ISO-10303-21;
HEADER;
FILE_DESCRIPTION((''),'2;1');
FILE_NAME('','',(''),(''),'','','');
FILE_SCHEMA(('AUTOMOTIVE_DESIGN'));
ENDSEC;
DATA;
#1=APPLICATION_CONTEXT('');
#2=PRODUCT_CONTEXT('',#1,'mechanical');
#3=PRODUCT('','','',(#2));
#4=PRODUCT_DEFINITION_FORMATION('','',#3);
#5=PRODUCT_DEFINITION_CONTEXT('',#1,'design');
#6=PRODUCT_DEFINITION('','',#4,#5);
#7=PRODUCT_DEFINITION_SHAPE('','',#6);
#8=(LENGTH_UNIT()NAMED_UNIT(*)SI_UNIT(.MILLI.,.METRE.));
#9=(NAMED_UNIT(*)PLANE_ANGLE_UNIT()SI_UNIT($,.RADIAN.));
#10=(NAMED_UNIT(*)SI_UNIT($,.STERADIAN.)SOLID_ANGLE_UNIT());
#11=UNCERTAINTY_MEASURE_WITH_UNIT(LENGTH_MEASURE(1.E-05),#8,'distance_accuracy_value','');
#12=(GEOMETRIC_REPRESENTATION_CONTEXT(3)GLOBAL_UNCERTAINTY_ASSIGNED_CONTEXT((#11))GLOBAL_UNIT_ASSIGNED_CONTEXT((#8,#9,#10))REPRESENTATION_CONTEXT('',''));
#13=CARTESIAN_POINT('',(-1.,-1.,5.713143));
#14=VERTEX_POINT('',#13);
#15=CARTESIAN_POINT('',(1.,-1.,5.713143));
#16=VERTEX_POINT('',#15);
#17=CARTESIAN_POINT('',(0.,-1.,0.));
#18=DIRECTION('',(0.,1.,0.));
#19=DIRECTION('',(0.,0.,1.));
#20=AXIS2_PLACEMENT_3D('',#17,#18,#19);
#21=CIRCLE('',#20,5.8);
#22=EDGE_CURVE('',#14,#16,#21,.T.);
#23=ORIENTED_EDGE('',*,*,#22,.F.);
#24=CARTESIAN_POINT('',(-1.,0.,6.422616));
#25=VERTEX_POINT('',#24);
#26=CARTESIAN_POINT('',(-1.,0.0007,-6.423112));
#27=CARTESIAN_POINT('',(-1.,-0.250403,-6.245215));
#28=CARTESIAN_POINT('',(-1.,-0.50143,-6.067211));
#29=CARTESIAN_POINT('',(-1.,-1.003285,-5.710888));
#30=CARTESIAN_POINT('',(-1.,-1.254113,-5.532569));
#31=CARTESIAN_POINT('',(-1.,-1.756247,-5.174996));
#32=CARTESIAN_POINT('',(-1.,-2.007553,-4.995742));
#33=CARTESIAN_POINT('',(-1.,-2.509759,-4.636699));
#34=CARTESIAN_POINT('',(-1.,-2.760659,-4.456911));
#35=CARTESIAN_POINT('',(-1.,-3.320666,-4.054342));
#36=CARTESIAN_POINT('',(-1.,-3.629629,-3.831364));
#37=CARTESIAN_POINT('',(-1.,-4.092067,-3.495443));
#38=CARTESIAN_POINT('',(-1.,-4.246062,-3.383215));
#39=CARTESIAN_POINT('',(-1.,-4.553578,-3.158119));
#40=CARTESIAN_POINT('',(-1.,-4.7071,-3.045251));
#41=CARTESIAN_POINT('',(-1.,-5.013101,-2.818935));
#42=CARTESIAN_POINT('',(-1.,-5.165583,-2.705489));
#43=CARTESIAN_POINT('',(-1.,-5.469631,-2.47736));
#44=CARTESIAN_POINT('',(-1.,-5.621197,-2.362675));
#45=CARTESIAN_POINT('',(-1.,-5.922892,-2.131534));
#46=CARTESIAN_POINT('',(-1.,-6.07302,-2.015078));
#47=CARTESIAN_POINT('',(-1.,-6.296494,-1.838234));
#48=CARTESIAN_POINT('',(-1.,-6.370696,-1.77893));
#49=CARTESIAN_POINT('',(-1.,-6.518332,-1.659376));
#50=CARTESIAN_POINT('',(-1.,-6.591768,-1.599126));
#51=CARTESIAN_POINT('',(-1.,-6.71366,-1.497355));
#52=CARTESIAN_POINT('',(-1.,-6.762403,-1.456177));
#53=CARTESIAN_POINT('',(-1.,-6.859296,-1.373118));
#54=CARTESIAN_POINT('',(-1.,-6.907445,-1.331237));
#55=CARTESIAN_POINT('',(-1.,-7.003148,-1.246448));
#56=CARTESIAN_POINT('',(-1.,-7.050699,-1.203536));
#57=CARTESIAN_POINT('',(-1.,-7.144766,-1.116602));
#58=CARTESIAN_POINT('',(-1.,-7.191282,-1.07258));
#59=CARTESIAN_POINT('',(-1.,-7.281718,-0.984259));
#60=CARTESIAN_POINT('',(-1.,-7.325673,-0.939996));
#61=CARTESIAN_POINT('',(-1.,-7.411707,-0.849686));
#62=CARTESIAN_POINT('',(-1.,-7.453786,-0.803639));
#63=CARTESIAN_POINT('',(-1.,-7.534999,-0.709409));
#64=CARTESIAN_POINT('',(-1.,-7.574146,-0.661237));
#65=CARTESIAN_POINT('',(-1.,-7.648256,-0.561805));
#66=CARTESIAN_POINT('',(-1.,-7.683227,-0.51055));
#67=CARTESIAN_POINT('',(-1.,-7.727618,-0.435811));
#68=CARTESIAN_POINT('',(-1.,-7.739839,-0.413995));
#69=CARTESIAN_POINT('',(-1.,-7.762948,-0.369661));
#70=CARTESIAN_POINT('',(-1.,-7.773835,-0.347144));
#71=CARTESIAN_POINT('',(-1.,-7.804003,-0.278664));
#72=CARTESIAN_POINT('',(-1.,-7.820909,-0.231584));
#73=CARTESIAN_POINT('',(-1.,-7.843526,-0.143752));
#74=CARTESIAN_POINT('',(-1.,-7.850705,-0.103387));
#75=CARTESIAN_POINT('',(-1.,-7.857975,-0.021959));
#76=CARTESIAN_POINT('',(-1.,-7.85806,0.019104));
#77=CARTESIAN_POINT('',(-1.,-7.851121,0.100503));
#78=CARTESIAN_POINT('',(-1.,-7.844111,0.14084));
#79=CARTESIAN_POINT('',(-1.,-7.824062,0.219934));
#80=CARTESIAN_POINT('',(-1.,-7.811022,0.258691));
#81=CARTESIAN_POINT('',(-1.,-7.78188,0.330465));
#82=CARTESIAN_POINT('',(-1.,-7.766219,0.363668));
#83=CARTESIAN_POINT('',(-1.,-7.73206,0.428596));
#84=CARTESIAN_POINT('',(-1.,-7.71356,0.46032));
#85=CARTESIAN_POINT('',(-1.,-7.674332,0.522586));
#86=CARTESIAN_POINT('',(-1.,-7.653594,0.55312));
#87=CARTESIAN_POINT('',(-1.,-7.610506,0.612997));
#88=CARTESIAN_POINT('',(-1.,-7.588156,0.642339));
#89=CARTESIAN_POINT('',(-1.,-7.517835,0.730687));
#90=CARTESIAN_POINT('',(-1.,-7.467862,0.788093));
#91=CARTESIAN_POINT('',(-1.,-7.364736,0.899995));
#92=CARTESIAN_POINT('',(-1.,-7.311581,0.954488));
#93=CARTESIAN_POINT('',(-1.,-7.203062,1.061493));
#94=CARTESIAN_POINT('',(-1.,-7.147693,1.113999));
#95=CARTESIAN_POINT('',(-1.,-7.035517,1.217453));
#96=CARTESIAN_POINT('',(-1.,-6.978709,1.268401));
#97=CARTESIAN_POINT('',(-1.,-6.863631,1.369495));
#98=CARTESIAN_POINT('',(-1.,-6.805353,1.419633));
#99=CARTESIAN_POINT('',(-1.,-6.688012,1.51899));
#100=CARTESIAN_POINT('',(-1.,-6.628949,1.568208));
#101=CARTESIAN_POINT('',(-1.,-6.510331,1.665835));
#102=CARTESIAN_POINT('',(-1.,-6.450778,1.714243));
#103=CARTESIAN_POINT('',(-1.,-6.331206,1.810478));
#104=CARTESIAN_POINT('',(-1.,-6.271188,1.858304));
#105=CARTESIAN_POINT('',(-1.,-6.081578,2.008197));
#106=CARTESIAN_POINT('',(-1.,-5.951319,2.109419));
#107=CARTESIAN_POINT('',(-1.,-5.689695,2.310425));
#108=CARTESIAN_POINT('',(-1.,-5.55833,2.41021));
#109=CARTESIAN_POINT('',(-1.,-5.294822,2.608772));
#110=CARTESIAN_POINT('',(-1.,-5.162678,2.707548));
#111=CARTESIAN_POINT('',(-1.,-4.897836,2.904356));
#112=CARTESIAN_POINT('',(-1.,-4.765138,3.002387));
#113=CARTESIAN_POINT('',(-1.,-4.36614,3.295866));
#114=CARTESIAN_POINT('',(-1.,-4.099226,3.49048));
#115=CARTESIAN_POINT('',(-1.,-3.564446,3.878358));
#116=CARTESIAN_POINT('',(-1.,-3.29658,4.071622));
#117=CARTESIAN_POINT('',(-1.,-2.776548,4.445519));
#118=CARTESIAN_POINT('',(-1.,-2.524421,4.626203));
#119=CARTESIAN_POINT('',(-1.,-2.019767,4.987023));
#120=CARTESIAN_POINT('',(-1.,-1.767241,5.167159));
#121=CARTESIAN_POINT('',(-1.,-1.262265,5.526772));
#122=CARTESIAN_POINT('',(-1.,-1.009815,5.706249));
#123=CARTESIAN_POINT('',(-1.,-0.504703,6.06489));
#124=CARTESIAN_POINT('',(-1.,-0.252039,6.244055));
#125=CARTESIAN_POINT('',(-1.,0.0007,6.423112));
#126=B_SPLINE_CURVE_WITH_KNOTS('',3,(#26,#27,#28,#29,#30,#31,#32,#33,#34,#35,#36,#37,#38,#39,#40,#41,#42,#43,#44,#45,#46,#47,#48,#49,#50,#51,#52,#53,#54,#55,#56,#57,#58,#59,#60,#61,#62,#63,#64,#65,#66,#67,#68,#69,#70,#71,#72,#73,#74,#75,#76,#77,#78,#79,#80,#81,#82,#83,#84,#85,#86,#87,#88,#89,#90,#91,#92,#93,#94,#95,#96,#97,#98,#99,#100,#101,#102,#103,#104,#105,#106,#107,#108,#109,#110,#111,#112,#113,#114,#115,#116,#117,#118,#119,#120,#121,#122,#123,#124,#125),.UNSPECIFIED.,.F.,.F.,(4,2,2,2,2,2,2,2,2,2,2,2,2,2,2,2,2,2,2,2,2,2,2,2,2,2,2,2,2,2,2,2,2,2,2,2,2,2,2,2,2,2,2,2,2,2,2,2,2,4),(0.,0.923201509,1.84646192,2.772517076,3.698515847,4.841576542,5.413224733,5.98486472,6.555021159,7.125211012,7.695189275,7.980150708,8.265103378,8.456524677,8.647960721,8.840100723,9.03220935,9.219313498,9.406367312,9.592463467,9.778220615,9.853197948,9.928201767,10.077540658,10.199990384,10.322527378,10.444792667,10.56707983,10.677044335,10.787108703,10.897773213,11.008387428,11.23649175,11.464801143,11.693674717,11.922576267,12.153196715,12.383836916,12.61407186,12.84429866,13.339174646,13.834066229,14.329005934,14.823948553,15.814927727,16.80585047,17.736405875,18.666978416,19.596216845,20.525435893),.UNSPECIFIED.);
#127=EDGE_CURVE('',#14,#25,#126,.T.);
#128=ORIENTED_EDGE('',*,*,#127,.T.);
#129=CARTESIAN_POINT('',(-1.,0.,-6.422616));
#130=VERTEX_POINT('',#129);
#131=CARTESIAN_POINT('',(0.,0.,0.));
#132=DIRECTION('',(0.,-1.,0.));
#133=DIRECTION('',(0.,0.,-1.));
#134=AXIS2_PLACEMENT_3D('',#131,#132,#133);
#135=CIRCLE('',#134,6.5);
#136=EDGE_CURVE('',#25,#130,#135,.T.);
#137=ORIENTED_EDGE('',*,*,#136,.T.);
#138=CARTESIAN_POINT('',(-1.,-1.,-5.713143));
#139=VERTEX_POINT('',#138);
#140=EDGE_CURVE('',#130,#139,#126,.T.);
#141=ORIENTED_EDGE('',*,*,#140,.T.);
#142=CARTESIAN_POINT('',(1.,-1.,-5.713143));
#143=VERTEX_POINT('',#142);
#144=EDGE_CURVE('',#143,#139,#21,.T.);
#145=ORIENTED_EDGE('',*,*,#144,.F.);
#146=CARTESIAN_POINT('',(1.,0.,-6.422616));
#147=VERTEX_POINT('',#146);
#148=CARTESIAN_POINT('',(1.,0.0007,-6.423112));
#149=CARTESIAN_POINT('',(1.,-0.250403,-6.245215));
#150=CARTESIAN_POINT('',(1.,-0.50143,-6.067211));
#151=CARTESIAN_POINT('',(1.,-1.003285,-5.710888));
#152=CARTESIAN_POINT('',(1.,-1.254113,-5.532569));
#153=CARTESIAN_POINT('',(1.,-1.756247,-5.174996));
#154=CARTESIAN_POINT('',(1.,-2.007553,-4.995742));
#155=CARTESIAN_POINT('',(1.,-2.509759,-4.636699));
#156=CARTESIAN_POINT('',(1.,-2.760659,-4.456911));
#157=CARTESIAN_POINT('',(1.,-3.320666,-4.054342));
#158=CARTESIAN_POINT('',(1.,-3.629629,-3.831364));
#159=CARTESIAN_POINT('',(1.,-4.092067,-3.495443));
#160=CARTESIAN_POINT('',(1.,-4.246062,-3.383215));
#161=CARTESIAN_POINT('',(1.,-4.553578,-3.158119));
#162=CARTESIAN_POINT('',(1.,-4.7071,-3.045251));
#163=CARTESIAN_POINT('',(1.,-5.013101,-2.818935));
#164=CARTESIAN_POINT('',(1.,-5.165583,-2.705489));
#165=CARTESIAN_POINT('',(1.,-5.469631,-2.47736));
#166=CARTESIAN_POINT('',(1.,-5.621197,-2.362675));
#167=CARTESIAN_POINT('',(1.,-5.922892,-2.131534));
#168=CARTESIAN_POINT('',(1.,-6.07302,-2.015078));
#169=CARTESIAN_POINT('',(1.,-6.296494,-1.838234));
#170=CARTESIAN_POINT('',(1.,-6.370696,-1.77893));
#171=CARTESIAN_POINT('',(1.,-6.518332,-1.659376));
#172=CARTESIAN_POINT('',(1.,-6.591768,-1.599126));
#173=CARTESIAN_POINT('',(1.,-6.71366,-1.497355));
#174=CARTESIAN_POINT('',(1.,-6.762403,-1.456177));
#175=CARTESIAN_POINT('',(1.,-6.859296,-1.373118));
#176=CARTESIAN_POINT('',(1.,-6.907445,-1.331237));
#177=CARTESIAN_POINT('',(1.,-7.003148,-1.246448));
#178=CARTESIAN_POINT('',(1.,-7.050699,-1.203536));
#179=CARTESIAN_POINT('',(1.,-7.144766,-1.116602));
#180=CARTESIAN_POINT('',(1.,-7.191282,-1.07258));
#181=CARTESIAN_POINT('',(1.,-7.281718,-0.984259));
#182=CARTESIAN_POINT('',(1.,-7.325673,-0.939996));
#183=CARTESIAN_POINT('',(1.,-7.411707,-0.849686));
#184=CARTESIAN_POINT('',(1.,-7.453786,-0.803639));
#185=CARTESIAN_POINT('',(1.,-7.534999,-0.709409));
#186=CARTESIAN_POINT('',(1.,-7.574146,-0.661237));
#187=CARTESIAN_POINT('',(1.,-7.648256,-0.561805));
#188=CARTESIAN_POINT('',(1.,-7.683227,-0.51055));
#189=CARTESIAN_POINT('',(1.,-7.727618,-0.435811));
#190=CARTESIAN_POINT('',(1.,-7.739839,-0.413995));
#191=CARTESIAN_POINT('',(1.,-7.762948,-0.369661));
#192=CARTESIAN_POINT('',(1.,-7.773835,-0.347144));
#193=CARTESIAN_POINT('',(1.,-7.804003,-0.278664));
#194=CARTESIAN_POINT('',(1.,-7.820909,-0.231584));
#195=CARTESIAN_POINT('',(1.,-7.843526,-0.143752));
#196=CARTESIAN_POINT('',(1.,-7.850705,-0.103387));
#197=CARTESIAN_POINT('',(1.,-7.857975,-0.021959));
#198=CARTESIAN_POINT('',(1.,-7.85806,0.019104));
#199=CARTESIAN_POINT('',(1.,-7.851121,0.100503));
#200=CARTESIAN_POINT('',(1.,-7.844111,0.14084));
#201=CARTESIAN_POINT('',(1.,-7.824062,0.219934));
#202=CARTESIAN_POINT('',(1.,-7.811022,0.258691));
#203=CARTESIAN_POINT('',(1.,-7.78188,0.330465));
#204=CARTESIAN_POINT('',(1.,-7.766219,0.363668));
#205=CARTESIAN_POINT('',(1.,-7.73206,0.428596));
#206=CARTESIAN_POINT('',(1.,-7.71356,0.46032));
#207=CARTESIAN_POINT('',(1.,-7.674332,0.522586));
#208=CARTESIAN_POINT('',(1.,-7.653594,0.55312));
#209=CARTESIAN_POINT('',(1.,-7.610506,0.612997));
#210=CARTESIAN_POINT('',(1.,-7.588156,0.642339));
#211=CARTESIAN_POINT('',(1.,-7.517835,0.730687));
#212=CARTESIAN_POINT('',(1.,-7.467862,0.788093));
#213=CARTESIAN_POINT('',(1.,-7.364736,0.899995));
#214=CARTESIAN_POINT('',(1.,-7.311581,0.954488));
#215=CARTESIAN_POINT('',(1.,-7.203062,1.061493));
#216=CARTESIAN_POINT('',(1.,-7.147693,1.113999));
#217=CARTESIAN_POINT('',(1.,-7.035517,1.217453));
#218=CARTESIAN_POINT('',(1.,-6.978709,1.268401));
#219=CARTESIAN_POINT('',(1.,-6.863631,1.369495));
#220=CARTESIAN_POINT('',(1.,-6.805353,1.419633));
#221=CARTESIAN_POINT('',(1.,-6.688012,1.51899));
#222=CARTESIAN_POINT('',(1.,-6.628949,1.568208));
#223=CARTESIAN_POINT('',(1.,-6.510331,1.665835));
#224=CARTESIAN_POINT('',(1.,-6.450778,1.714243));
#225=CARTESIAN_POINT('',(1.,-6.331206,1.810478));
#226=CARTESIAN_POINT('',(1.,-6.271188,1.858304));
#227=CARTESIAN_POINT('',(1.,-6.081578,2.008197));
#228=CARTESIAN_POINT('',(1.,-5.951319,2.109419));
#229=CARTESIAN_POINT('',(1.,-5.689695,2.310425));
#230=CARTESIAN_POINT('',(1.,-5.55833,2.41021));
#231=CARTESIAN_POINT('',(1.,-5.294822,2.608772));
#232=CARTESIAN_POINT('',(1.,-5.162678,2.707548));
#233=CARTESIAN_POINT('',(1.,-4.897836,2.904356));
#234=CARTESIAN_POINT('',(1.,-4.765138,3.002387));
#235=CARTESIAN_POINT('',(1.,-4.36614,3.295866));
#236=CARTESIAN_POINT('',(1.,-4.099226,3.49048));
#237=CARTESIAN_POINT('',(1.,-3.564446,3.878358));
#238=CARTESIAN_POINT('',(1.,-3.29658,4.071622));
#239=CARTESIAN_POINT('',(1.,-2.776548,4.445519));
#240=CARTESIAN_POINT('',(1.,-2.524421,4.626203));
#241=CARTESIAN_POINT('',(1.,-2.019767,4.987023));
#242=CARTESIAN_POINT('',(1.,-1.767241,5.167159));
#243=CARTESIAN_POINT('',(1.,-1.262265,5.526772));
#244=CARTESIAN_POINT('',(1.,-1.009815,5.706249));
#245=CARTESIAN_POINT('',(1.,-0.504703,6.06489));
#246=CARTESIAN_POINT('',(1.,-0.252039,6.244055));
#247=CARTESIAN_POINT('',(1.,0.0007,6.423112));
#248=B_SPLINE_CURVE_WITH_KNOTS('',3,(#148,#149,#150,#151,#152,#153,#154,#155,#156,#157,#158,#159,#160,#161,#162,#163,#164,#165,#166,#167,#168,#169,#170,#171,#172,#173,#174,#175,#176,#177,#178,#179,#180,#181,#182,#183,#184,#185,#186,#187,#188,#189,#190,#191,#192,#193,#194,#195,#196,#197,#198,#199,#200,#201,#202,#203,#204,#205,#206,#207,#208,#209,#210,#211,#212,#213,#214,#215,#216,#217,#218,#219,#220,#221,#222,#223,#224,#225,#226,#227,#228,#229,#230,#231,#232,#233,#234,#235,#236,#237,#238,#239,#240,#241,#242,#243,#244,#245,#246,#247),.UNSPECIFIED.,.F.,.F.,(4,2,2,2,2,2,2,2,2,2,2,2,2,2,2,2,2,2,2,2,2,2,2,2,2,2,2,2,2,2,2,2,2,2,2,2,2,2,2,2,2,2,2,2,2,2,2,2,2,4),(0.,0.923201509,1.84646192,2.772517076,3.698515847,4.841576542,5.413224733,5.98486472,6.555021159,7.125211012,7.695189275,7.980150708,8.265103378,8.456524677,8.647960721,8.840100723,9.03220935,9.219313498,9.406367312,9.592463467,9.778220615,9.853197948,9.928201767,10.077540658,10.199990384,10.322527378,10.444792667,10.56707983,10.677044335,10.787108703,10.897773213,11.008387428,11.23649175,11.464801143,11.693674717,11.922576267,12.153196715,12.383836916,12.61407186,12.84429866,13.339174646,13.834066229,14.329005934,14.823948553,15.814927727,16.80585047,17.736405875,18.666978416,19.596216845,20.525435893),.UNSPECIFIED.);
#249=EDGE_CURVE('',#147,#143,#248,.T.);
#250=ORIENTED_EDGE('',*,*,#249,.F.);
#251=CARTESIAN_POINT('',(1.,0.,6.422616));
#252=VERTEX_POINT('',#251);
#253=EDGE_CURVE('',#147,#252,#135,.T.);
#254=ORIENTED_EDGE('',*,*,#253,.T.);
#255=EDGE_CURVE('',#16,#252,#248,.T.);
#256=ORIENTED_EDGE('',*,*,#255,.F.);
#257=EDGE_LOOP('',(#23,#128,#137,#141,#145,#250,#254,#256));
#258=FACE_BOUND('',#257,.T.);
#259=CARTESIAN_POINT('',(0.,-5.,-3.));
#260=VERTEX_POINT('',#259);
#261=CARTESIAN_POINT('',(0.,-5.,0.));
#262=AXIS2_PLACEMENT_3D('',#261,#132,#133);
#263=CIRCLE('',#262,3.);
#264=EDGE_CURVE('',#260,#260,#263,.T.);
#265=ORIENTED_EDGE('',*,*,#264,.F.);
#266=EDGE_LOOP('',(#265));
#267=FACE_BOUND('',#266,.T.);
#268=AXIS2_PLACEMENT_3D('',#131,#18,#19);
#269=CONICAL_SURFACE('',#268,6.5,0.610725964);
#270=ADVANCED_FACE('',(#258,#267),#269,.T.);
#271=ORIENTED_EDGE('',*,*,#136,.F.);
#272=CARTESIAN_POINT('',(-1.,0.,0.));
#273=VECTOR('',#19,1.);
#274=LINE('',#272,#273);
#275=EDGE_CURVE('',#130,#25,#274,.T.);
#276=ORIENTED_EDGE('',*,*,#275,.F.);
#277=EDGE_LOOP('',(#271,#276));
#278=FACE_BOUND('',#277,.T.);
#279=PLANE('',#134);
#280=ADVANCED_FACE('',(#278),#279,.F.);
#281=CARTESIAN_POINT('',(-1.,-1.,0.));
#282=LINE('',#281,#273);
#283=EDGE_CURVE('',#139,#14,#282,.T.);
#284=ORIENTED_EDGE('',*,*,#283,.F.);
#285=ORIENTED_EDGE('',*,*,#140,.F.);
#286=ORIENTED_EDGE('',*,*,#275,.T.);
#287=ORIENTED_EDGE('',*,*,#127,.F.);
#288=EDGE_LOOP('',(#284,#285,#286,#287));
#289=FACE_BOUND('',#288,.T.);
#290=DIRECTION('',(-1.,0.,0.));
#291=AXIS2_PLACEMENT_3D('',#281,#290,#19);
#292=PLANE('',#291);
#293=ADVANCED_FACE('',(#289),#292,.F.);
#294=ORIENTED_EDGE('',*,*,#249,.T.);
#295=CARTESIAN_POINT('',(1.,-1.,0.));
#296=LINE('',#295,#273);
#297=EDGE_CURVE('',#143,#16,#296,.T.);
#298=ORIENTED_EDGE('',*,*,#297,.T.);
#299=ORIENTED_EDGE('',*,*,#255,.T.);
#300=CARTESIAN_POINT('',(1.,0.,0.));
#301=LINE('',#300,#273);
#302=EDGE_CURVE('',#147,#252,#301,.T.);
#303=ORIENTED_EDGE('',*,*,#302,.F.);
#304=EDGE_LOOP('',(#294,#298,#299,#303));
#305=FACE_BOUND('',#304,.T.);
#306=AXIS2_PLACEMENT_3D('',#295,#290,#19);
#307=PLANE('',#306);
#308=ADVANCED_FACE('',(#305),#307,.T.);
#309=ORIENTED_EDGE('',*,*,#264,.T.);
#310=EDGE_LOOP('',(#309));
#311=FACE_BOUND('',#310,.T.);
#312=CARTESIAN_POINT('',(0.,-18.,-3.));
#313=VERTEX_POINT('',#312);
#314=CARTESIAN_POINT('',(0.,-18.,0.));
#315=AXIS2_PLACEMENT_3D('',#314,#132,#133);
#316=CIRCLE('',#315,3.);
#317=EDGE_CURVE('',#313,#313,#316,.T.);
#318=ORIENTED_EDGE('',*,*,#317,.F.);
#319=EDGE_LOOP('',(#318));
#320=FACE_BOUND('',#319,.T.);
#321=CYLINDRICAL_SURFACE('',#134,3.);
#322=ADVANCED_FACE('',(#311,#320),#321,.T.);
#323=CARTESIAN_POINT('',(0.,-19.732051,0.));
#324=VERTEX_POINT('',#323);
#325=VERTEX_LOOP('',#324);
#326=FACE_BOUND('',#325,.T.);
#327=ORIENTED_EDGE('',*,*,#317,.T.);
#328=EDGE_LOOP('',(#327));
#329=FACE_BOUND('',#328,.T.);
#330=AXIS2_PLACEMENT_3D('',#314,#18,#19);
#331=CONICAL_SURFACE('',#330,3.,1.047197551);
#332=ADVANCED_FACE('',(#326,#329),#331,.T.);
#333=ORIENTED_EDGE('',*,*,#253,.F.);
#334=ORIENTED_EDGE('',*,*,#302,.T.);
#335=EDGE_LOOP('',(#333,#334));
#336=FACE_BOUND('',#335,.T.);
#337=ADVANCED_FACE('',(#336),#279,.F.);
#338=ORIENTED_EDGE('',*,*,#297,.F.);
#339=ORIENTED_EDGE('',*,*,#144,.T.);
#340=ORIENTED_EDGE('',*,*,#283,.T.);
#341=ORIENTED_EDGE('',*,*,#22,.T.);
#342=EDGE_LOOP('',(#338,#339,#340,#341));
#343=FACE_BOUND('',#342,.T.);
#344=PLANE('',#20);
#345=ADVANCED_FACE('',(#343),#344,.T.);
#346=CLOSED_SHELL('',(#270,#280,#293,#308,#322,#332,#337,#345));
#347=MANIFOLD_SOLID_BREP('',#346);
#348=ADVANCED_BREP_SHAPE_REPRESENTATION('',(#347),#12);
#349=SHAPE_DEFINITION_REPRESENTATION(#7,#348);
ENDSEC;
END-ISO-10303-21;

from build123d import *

# Parameters (mm, degrees)
CUT_EXTRUDE1_DEPTH = 1


with BuildPart() as part:
    # Sketch1 → Revolve5 (revolve)
    with BuildSketch(Plane.XY, mode=Mode.PRIVATE) as revolve5_sk:
        Polygon((6.5, 0), (3, -5), (3, -18), (0, -19.732050808), (0, 0), align=None)
    revolve(revolve5_sk.sketch.rotate(Axis((0, 0, 0), (0, 1, 0)), 90), axis=Axis((0, 0, 0), (0, 1, 0)))

    # Sketch2 → Cut-Extrude1 (cut)
    with BuildSketch(Plane(origin=(0, 0, 0), x_dir=(1, 0, 0), z_dir=(0, 1, 0))):
        with BuildLine():
            Line((0, -6.5), (0, 6.5))
            ThreePointArc((0, 6.5), (-0.501494825, 6.480625197), (-1, 6.422616289))
            Line((-1, 6.422616289), (-1, -6.422616289))
            ThreePointArc((-1, -6.422616289), (-0.501494825, -6.480625197), (0, -6.5))
        make_face()
        with BuildLine():
            ThreePointArc((1, 6.422616289), (0.501494825, 6.480625197), (0, 6.5))
            Line((0, 6.5), (0, -6.5))
            ThreePointArc((0, -6.5), (0.501494825, -6.480625197), (1, -6.422616289))
            Line((1, -6.422616289), (1, 6.422616289))
        make_face()
    extrude(amount=-CUT_EXTRUDE1_DEPTH, mode=Mode.SUBTRACT)


solid = part.part
